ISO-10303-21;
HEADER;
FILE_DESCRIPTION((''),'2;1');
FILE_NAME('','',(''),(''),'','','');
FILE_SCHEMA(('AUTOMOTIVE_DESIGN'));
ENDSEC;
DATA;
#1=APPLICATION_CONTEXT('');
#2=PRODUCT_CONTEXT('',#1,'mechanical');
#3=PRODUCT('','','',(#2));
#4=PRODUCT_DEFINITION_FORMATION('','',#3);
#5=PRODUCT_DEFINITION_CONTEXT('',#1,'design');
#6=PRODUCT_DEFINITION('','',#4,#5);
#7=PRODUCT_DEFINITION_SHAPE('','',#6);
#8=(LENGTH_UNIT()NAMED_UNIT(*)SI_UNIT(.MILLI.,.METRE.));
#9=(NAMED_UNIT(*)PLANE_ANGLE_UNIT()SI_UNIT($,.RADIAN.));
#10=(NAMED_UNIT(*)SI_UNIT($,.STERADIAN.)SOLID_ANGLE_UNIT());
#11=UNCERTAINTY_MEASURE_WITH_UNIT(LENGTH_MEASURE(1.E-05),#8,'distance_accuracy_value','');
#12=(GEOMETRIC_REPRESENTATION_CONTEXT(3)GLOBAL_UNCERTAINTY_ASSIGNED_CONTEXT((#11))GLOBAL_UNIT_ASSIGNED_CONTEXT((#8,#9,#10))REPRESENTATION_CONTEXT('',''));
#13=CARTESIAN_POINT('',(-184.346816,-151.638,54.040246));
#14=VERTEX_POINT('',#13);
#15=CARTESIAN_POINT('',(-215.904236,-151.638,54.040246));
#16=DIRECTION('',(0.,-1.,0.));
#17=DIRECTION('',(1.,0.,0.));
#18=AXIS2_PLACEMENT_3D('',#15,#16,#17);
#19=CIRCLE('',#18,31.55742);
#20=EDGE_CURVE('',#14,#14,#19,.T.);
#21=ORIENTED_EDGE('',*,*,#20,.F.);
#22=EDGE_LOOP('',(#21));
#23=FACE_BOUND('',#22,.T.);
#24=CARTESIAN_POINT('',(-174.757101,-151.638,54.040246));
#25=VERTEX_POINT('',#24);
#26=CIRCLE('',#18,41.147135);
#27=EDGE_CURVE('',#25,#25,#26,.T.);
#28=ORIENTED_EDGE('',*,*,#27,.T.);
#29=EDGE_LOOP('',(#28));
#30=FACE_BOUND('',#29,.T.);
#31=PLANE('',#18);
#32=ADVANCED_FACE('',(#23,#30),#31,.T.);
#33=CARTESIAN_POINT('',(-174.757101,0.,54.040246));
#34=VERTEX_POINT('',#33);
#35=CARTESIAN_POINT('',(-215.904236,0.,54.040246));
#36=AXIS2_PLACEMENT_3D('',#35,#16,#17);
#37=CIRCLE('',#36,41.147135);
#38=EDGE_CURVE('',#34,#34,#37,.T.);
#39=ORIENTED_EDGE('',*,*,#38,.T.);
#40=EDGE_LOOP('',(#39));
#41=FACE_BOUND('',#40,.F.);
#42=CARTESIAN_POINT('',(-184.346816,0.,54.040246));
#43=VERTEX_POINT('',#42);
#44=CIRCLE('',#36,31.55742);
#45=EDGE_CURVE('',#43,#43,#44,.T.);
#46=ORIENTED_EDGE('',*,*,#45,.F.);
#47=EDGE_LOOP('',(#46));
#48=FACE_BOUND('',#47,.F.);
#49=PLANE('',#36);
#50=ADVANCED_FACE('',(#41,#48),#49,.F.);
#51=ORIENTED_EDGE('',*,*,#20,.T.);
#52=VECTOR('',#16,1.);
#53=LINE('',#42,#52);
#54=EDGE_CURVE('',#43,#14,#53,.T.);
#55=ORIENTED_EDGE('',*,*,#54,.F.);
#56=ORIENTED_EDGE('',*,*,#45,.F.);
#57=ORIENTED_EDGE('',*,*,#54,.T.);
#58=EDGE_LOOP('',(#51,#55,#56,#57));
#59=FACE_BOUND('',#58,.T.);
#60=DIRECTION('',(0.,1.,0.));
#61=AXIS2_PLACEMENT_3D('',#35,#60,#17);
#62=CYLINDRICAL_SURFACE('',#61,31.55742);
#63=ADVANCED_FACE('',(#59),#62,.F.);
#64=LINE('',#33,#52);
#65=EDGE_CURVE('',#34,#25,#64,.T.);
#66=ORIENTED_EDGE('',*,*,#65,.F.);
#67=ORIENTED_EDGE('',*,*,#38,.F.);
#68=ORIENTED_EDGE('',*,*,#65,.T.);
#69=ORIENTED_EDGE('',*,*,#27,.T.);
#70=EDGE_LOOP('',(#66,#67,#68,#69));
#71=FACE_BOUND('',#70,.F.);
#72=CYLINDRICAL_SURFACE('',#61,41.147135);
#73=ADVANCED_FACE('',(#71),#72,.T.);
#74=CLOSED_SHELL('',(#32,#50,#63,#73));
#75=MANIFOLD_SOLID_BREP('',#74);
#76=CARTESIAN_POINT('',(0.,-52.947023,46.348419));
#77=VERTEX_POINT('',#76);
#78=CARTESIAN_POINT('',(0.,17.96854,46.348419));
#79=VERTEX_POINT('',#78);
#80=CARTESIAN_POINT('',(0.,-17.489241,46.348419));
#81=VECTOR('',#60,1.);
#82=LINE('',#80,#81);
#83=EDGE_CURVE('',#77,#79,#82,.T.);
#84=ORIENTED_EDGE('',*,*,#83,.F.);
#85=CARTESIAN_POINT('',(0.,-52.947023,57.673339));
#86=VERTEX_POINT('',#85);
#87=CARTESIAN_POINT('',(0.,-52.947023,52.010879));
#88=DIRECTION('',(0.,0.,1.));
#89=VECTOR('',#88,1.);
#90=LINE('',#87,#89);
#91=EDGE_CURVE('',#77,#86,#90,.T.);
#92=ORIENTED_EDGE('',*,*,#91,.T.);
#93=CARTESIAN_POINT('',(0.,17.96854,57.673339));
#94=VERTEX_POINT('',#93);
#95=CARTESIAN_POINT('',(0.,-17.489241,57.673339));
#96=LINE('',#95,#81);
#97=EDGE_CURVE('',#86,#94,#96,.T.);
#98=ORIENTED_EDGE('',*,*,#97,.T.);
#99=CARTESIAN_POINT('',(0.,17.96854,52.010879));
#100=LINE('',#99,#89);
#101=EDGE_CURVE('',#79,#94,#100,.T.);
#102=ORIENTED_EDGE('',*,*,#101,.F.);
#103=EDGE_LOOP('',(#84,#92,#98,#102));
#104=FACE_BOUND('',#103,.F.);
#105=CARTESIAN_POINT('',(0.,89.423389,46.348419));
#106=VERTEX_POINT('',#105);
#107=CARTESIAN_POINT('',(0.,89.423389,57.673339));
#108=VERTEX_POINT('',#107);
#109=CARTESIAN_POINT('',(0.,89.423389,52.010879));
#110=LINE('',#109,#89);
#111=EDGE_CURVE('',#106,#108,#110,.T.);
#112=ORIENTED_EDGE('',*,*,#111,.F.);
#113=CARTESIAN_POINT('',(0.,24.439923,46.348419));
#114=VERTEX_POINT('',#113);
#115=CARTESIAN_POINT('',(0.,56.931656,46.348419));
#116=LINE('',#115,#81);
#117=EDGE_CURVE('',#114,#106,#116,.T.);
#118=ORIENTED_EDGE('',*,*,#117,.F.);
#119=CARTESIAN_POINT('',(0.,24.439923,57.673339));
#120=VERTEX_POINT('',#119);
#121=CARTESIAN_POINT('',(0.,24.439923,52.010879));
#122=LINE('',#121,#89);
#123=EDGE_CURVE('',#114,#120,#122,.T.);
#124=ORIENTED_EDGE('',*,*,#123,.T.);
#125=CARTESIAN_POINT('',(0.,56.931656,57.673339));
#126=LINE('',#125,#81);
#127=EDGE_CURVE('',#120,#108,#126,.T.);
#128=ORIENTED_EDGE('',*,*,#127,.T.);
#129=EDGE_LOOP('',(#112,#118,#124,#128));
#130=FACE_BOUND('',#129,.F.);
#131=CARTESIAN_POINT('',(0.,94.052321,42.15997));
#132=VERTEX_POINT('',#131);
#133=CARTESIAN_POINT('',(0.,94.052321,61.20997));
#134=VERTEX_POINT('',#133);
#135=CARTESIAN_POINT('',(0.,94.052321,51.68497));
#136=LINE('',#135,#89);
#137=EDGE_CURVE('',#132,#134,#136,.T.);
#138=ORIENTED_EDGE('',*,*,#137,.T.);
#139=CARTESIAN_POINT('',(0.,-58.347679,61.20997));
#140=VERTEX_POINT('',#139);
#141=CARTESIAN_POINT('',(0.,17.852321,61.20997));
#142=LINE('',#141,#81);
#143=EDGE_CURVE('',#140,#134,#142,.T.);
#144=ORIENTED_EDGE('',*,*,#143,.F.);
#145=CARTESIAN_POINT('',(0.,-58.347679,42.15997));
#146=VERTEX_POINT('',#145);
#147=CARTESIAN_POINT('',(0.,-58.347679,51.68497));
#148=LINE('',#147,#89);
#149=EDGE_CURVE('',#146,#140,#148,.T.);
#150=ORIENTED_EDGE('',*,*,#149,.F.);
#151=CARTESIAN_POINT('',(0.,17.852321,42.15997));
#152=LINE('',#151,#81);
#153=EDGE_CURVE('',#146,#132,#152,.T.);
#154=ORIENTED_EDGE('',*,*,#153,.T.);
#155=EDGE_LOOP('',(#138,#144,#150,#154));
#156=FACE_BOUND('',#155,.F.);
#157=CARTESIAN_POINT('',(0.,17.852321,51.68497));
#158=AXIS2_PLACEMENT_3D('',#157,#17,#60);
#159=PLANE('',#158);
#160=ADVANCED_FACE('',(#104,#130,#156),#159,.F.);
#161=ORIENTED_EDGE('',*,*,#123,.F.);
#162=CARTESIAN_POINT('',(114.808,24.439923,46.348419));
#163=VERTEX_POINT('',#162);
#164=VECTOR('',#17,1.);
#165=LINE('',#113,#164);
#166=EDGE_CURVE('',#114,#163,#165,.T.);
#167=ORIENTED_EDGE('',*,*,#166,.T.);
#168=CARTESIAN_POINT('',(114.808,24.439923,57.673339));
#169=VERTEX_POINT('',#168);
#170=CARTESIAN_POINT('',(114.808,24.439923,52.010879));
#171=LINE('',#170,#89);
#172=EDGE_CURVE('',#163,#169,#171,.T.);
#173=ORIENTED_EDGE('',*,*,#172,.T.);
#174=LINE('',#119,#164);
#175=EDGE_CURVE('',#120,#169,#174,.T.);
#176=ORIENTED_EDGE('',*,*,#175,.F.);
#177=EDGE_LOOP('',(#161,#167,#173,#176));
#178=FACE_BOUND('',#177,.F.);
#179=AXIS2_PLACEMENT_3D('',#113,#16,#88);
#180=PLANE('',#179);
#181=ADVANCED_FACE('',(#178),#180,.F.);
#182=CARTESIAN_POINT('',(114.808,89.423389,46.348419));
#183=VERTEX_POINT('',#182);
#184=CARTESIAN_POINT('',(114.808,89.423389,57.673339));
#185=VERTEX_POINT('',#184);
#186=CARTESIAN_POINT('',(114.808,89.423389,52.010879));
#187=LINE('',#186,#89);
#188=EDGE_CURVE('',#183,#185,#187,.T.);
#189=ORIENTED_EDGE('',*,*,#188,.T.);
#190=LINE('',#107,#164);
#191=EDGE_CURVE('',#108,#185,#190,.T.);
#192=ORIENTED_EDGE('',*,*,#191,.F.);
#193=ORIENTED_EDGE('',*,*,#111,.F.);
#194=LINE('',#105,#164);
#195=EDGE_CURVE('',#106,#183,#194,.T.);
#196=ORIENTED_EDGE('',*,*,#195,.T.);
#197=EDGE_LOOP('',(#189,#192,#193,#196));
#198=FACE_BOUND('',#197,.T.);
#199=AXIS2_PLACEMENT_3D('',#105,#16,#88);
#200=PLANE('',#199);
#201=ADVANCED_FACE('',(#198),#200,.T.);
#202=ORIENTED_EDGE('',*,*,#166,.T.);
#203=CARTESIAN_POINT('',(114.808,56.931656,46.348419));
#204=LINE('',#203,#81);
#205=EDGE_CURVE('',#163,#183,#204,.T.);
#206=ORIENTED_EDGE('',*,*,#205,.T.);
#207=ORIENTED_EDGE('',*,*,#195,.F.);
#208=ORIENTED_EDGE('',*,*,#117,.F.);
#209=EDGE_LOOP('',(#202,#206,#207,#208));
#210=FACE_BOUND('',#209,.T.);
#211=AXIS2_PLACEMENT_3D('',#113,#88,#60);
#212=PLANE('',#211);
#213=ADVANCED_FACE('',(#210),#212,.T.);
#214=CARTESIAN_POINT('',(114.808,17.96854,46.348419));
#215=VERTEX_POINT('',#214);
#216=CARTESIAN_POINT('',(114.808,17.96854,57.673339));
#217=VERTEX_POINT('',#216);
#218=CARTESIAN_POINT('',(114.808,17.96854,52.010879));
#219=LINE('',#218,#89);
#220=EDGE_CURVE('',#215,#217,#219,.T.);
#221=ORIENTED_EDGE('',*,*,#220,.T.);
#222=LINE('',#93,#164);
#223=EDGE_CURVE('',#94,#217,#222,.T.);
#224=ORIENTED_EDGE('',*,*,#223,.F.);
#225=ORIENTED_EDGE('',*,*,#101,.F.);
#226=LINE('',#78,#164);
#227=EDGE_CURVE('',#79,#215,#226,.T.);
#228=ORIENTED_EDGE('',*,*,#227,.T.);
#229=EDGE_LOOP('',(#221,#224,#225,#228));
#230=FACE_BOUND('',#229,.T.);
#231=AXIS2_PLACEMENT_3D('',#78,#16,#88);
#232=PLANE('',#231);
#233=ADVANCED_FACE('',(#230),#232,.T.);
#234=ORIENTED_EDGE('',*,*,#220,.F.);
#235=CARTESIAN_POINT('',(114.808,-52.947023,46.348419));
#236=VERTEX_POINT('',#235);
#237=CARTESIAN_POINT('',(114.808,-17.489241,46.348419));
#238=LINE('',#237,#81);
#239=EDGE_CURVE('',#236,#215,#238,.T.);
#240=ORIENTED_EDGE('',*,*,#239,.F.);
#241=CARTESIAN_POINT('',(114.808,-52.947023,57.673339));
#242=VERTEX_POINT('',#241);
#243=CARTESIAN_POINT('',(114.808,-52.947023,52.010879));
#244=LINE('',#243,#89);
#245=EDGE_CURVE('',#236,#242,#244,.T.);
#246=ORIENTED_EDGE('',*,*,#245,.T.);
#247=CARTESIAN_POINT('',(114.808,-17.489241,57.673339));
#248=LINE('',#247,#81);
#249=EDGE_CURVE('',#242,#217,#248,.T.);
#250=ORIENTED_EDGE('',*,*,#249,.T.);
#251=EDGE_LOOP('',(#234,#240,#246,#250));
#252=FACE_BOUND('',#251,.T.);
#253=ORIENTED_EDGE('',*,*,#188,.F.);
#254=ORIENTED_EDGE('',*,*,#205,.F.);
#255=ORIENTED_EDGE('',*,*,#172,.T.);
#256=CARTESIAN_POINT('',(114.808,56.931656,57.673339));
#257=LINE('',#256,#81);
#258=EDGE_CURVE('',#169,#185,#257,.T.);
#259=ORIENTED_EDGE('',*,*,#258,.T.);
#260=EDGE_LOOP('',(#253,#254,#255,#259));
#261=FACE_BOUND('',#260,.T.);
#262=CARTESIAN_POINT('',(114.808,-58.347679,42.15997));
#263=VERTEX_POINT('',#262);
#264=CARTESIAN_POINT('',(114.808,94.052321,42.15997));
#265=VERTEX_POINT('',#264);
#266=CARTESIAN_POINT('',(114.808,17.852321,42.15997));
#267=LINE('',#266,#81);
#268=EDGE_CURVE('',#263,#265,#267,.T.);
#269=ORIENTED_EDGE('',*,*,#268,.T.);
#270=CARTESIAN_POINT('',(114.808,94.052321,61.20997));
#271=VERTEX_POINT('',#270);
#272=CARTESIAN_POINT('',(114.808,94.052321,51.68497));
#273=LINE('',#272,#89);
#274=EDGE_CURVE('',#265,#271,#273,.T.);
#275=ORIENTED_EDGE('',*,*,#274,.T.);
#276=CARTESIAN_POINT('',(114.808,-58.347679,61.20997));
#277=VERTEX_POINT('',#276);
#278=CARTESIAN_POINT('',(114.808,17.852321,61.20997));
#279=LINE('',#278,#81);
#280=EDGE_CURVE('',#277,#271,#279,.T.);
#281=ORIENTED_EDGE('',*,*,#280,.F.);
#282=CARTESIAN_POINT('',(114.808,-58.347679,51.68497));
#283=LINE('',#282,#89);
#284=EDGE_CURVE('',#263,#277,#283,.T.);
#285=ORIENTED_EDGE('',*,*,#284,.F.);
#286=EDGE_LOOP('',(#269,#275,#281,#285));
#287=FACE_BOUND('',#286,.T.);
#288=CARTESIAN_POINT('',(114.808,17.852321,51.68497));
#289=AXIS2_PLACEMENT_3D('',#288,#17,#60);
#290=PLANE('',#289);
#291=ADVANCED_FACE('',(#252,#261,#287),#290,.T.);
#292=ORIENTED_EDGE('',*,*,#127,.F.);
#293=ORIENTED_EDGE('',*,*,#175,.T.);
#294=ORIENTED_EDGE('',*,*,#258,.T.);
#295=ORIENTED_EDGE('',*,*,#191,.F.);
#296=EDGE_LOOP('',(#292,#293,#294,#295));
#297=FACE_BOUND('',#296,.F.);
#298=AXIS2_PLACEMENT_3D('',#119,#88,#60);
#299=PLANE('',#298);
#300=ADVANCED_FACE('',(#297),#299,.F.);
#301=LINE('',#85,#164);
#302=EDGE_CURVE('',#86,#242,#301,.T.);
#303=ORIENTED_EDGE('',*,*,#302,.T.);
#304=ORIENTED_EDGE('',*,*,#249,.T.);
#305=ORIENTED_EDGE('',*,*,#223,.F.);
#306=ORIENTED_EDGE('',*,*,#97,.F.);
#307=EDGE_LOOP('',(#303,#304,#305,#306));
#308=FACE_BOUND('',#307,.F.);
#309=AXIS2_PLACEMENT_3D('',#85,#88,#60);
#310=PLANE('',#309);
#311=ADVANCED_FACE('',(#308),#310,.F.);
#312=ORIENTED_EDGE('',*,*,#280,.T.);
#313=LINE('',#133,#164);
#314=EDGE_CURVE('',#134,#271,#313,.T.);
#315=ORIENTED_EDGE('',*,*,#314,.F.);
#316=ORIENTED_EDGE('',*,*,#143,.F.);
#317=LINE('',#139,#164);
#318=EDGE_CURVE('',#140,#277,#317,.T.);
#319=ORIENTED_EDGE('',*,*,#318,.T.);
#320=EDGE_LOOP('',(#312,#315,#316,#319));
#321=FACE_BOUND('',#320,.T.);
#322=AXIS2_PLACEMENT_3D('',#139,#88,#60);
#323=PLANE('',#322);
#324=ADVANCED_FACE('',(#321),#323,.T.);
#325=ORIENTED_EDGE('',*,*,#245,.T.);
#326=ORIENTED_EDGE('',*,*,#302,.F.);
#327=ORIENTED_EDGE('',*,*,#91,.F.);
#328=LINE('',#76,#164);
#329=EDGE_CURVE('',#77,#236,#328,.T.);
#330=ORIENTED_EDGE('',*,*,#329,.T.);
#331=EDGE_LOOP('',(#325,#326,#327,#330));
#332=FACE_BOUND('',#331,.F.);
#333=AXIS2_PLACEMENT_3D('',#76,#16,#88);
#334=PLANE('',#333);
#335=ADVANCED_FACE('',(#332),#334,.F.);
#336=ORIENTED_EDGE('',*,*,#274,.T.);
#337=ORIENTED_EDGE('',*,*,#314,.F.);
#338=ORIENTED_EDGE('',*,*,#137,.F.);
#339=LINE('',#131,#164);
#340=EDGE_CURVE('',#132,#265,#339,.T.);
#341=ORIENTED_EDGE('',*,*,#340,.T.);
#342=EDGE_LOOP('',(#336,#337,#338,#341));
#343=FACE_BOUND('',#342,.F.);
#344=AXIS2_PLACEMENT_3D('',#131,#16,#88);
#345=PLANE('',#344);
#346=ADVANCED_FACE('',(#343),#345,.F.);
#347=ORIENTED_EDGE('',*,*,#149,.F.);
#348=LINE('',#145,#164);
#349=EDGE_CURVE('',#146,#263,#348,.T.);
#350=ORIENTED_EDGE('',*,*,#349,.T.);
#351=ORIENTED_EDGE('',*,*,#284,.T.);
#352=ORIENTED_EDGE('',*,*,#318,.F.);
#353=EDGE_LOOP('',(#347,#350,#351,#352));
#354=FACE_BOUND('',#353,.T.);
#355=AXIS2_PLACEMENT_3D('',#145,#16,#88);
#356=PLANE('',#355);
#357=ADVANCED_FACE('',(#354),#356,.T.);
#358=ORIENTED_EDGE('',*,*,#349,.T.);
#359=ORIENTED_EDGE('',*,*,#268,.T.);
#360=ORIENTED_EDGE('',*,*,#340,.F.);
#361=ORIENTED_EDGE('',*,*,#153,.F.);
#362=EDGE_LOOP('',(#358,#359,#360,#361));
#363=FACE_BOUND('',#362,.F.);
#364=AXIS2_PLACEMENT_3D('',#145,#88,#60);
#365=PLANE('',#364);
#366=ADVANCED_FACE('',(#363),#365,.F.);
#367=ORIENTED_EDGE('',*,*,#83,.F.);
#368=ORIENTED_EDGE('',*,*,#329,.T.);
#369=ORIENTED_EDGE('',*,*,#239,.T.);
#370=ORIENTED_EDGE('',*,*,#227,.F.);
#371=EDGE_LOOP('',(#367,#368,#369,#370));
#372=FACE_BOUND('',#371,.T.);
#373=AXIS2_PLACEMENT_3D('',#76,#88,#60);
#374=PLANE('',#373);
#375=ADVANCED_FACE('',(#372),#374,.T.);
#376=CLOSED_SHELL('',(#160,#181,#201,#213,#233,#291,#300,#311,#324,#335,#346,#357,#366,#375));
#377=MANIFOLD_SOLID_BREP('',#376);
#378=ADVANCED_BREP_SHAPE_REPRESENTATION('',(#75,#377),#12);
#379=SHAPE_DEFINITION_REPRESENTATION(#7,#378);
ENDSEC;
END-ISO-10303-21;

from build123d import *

# Parameters (mm, degrees)
F0_R     = 41.147135
F0_R_2   = 31.55742
F1_DEPTH = 151.638
F2_W     = 152.4
F2_H     = 19.05
F2_W_2   = 70.915563
F2_H_2   = 11.32492
F2_W_3   = 64.983465
F3_DEPTH = 114.808


with BuildPart() as f1:
    # F0 (on Front) → F1 (new body)
    with BuildSketch(Plane.XZ):
        with Locations((-215.904236, 54.040246)):
            Circle(F0_R)
        with Locations((-215.904236, 54.040246)):
            Circle(F0_R_2, mode=Mode.SUBTRACT)
    extrude(amount=F1_DEPTH)


with BuildPart() as f3:
    # F2 (on Right) → F3 (new body)
    with BuildSketch(Plane.YZ):
        with Locations((17.852321, 51.68497)):
            Rectangle(F2_W, F2_H)
        with Locations((-17.489241, 52.010879)):
            Rectangle(F2_W_2, F2_H_2, mode=Mode.SUBTRACT)
        with Locations((56.931656, 52.010879)):
            Rectangle(F2_W_3, F2_H_2, mode=Mode.SUBTRACT)
    extrude(amount=F3_DEPTH)


solid = Compound([f1.part, f3.part])
